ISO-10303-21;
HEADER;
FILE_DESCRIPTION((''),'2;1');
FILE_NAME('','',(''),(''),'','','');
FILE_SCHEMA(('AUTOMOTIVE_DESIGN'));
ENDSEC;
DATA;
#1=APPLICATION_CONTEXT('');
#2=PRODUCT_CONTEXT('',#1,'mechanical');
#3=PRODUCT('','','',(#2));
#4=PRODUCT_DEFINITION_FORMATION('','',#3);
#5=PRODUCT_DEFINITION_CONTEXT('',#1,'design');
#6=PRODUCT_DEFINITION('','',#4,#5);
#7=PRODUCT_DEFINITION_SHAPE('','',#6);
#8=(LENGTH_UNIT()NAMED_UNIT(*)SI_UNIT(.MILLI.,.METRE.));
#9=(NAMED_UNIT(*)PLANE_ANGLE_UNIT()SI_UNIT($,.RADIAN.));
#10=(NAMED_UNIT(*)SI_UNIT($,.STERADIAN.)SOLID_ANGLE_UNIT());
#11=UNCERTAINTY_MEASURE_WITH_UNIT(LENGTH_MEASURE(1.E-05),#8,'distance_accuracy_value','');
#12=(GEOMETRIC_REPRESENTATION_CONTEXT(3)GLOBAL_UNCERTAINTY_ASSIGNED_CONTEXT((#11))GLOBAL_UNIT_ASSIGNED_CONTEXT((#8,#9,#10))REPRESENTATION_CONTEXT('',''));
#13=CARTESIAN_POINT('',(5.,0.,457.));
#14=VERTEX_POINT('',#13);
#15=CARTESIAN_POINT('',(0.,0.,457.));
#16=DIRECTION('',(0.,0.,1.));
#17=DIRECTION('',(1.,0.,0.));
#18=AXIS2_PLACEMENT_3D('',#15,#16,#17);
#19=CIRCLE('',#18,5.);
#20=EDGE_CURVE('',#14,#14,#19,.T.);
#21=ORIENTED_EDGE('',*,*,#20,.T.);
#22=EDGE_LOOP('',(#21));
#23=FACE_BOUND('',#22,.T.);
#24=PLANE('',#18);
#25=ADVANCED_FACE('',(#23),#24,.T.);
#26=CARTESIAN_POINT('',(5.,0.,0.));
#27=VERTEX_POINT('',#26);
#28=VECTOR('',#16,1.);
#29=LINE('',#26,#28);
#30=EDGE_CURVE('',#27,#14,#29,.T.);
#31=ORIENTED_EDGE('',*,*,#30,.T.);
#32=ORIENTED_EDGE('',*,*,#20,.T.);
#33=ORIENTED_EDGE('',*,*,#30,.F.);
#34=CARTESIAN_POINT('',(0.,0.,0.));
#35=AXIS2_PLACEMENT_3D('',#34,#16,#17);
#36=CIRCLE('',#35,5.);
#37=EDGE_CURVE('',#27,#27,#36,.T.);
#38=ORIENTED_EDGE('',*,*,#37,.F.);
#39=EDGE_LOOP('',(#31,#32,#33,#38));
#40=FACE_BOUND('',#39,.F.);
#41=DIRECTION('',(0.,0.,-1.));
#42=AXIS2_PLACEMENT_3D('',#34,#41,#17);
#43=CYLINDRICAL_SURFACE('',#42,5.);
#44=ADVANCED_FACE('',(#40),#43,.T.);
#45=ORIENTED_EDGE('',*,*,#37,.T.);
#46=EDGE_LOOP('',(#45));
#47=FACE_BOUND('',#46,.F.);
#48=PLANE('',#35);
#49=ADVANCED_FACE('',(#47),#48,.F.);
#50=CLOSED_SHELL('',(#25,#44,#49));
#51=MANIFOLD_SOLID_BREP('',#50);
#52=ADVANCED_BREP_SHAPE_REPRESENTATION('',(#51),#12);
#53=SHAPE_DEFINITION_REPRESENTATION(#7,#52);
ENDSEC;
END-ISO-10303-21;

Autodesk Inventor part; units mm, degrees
ref_plane "YZ Plane" through (0, 0, 0) normal (1, 0, 0) x (0, 1, 0)
ref_plane "XZ Plane" through (0, 0, 0) normal (0, 1, 0) x (-1, 0, 0)
ref_plane "XY Plane" through (0, 0, 0) normal (0, 0, 1) x (1, 0, 0)
sketch "Szkic1" plane through (0, 0, 0) normal (0, 0, 1) x (1, 0, 0)
  circle A0 centre (0, 0) radius 5
  dimension "d0" = 10
extrude "Wyciągnięcie proste1" add sketch "Szkic1" along normal blind 457
properties part number "CUT_STEEL_10mmx457mm_Linear_Shaft"
